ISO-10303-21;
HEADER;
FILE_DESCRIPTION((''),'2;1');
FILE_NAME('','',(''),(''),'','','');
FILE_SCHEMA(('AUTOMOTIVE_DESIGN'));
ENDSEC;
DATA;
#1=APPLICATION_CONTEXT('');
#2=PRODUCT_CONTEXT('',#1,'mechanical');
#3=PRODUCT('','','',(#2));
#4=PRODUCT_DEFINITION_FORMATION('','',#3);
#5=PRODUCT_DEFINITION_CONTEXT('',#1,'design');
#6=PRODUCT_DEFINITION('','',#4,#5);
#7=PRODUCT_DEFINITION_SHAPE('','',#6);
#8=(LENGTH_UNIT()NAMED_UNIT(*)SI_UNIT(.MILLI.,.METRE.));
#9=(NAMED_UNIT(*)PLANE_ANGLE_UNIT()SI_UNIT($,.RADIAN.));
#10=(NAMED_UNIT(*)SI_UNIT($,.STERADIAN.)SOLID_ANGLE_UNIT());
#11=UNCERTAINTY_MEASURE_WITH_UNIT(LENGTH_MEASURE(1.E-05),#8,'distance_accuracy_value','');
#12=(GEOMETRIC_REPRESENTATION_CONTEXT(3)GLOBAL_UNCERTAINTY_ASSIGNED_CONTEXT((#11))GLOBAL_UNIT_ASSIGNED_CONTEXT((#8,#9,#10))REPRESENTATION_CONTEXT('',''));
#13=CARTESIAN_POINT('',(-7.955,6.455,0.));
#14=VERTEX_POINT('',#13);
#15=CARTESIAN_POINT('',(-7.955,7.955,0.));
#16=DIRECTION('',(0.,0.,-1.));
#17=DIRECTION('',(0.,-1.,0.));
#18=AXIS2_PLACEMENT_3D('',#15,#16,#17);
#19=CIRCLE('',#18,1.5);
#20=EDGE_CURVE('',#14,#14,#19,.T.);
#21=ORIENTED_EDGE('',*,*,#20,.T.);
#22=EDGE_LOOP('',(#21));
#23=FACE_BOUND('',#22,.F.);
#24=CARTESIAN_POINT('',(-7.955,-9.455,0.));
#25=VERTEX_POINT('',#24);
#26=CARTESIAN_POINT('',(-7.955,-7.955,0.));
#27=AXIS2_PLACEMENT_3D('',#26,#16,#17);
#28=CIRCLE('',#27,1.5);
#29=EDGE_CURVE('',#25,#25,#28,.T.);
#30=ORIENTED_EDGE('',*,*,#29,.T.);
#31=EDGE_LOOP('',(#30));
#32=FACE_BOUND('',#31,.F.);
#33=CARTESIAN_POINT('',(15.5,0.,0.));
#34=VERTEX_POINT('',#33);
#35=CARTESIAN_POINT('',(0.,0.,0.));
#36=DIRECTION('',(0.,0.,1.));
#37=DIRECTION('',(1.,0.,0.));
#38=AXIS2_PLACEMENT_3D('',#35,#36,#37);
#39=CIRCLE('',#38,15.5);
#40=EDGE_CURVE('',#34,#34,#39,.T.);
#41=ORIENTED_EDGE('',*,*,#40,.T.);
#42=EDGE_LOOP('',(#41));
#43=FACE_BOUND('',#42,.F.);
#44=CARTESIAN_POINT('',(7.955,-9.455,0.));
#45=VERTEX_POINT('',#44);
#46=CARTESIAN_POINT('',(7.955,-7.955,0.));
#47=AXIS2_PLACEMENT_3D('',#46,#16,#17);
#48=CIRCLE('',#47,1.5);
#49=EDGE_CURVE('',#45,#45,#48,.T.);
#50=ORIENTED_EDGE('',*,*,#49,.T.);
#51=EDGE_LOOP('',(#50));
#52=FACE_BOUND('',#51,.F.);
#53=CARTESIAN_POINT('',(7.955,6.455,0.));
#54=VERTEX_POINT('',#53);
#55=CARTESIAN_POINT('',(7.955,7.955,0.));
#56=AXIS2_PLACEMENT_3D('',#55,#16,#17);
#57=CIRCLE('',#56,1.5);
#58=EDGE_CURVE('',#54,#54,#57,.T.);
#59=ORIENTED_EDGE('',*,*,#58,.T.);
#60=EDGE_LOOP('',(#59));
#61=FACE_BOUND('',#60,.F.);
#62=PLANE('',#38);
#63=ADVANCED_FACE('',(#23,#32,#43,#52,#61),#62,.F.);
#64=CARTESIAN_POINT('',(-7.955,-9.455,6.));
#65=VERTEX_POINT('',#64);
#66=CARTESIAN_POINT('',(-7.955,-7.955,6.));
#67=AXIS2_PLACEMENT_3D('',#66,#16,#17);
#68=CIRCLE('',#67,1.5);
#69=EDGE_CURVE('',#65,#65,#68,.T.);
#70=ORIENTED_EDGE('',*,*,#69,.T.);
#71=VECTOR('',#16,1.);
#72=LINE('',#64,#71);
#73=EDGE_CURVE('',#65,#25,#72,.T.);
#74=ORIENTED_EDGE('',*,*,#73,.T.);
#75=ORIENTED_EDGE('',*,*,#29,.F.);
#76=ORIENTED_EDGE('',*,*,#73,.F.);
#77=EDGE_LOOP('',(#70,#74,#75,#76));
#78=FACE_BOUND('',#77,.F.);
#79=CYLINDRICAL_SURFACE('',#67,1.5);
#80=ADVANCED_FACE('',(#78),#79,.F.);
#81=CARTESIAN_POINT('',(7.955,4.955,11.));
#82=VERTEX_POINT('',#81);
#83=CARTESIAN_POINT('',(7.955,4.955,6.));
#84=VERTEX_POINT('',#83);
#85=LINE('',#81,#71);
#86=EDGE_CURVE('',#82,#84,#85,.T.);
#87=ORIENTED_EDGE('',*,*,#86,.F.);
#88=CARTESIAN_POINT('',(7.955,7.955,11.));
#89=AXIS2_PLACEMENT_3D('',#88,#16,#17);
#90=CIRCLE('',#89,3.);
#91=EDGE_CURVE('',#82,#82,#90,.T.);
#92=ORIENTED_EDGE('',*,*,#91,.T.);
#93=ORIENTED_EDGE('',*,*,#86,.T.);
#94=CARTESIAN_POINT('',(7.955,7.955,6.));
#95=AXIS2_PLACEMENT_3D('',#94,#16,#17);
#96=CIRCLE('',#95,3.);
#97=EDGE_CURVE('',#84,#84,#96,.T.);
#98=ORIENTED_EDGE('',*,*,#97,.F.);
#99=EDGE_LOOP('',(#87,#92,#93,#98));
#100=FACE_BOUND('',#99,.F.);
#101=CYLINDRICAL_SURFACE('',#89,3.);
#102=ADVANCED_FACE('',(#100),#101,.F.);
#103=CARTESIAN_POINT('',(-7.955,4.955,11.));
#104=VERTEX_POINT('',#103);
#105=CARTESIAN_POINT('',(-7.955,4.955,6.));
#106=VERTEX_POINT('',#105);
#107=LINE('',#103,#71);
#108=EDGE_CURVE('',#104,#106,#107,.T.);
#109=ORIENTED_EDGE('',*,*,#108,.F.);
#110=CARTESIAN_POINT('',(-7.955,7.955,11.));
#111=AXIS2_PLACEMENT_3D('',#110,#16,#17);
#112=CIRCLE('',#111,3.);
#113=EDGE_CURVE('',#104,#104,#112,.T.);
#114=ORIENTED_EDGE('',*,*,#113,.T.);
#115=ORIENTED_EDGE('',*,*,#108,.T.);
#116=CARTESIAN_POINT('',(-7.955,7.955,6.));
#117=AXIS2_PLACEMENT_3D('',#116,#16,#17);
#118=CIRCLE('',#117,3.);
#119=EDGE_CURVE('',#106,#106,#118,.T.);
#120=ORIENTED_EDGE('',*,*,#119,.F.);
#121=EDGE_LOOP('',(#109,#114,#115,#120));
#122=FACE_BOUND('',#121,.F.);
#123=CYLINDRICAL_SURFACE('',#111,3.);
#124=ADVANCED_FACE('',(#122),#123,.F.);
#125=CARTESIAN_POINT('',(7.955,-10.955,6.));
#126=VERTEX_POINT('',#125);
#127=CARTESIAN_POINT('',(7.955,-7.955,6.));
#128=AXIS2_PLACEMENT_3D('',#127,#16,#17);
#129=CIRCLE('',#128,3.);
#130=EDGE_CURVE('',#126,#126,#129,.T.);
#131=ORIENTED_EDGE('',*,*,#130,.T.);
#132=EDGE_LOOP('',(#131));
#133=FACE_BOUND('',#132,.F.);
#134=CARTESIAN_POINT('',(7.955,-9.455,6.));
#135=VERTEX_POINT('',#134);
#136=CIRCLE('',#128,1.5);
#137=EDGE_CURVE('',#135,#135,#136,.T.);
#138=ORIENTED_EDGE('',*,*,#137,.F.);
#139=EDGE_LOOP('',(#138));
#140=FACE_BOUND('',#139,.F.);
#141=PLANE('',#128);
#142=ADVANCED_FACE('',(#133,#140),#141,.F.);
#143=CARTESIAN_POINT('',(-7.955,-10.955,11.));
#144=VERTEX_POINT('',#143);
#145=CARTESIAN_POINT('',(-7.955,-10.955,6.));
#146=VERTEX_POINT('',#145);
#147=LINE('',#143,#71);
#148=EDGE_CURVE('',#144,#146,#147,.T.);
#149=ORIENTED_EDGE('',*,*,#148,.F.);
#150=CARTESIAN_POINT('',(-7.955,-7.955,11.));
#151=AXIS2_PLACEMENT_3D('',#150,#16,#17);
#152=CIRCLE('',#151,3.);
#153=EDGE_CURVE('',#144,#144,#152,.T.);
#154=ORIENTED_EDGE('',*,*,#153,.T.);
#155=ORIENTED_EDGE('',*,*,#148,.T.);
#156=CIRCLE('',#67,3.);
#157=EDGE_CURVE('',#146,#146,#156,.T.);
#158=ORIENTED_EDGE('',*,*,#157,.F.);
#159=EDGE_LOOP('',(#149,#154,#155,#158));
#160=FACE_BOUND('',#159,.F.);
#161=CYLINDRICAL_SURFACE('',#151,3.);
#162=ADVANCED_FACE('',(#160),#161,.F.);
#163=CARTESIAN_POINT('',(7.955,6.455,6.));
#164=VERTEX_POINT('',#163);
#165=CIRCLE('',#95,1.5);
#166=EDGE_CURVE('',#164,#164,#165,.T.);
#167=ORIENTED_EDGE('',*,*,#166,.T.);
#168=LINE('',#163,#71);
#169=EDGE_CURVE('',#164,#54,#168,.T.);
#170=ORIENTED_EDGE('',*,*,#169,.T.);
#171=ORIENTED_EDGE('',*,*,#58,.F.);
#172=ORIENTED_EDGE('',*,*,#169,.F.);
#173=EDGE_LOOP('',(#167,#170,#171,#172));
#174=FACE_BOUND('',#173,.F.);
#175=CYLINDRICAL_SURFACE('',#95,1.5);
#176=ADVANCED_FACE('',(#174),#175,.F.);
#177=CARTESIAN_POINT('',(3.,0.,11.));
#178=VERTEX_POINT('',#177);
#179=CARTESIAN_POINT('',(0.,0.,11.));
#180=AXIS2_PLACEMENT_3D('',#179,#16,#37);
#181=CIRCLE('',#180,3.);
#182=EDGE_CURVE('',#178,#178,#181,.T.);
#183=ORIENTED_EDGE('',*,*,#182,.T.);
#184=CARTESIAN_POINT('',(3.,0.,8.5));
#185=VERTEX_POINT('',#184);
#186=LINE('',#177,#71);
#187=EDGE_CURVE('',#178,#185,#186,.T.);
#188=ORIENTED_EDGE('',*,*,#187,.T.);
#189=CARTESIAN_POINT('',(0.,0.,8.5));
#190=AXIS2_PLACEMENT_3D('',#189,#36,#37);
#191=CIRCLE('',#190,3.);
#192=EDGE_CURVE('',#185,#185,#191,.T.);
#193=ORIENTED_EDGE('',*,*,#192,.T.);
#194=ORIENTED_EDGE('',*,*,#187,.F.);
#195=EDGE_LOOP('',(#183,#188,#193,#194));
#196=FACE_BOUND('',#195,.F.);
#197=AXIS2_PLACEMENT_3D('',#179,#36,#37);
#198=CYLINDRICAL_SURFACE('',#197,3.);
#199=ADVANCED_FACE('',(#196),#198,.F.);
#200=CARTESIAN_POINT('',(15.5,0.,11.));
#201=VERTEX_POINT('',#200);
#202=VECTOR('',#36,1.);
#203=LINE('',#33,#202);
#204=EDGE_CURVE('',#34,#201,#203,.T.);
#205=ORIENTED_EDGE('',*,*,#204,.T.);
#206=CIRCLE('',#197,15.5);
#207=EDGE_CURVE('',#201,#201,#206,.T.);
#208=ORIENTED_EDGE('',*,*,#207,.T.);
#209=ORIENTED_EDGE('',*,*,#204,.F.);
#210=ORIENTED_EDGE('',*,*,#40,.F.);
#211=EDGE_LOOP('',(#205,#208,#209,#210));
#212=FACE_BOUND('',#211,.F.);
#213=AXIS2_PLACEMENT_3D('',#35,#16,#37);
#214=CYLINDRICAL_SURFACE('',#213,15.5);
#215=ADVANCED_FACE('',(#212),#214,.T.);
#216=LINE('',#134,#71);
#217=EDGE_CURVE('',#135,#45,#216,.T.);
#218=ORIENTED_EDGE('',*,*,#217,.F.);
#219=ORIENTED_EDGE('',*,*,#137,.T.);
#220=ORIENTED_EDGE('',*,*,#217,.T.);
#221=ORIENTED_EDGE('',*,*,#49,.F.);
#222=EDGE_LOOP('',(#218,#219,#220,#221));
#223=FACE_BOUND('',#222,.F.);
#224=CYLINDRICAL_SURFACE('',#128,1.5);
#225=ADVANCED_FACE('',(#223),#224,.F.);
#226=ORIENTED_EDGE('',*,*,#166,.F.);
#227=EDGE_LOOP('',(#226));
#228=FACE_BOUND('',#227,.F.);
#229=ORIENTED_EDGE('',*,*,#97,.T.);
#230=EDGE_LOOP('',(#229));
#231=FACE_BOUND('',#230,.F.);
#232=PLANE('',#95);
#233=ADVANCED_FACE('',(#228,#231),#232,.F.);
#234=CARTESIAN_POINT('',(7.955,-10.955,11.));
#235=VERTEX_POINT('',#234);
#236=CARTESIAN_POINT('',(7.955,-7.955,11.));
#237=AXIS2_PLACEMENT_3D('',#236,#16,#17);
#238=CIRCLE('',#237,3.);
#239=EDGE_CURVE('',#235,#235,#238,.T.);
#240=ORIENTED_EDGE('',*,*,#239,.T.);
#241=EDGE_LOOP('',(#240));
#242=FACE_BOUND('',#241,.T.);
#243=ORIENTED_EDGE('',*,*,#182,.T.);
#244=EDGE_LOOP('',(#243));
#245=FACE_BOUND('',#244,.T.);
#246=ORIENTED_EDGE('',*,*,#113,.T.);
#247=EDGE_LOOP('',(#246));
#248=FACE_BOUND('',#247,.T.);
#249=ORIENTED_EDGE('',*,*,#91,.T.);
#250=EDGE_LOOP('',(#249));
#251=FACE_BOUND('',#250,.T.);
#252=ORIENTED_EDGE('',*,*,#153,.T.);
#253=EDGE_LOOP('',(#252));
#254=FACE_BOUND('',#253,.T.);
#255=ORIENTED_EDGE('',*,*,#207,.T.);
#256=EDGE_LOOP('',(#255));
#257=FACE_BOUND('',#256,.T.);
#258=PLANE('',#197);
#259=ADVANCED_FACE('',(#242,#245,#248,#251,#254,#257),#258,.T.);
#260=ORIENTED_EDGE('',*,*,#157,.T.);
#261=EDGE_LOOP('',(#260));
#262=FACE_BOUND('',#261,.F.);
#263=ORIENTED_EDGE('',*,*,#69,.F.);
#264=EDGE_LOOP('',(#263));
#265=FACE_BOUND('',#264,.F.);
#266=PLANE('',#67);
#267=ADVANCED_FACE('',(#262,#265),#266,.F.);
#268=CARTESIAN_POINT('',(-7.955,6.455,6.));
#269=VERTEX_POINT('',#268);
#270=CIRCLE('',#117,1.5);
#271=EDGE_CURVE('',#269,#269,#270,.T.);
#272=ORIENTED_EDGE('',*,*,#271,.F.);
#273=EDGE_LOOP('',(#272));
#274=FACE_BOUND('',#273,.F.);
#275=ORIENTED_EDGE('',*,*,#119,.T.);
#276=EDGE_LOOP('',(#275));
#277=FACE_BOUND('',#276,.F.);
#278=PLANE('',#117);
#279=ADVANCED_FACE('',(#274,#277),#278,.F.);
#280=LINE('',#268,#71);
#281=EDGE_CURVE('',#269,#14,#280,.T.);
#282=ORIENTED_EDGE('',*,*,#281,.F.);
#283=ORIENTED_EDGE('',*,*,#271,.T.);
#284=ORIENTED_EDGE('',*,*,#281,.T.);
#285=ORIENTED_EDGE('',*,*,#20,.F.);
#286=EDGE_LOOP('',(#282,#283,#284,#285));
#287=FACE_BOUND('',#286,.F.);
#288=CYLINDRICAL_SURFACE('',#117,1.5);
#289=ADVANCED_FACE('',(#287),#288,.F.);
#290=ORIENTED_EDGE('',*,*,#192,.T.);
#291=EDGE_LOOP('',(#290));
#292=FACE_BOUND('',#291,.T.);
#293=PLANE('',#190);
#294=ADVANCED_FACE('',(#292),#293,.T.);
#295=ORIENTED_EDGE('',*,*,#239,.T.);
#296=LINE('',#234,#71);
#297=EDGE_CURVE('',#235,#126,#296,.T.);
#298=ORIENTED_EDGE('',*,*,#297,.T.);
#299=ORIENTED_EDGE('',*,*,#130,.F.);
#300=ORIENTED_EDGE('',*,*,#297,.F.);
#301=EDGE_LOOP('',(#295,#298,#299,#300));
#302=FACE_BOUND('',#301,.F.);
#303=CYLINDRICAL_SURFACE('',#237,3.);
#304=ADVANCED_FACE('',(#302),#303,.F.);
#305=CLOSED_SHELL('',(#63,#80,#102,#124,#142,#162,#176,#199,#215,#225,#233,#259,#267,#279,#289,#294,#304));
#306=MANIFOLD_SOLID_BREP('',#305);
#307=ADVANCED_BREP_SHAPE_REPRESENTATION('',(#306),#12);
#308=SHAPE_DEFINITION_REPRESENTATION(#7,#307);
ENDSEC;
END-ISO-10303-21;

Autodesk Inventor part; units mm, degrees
ref_plane "YZ Plane" through (0, 0, 0) normal (1, 0, 0) x (0, 1, 0)
ref_plane "XZ Plane" through (0, 0, 0) normal (0, 1, 0) x (-1, 0, 0)
ref_plane "XY Plane" through (0, 0, 0) normal (0, 0, 1) x (1, 0, 0)
sketch "Skizze1" plane through (0, 0, 0) normal (0, 0, 1) x (1, 0, 0)
  circle A0 centre (0, 0) radius 15.5
  dimension "d0" = 31
extrude "Extrusion1" add sketch "Skizze1" along normal blind 11
sketch "Skizze2" plane through (0, 0, 11) normal (0, 0, 1) x (1, 0, 0)
  line L0 (-2.5, -2.5) -> (2.5, -2.5)
  line L1 (2.5, -2.5) -> (2.5, 2.5)
  line L2 (2.5, 2.5) -> (-2.5, 2.5)
  line L3 (-2.5, 2.5) -> (-2.5, -2.5)
  line L4 (-2.5, -2.5) -> (2.5, 2.5) construction
  line L5 (2.5, -2.5) -> (-2.5, 2.5) construction
  circle A0 centre (0, 0) radius 3
  dimension "d3" = 5
  dimension "d14" = 6
extrude "Extrusion2" cut sketch "Skizze2" against normal blind 2.5 contours A0 L3 L2 L1 L0 | L0 A0 | A0 L3 | L1 A0 | A0 L2
sketch "Skizze3" plane through (0, 0, 11) normal (0, 0, 1) x (1, 0, 0)
  circle A0 centre (0, 0) radius 11.25
  line L0 (-7.955, -7.955) -> (7.955, -7.955)
  line L1 (7.955, -7.955) -> (7.955, 7.955)
  line L2 (7.955, 7.955) -> (-7.955, 7.955)
  line L3 (-7.955, 7.955) -> (-7.955, -7.955)
  line L4 (-7.955, -7.955) -> (7.955, 7.955) construction
  line L5 (7.955, -7.955) -> (-7.955, 7.955) construction
  dimension "d6" = 22.5
hole "Bohrung1" at (-7.955, -7.955, 11) at (7.955, -7.955, 11) at (7.955, 7.955, 11) at (-7.955, 7.955, 11) direction (0, 0, -1) diameter 3 end through all counterbore diameter 6 counterbore depth 5
properties part number "rotBaseMagnetMount" material "ABS-Kunststoff"
